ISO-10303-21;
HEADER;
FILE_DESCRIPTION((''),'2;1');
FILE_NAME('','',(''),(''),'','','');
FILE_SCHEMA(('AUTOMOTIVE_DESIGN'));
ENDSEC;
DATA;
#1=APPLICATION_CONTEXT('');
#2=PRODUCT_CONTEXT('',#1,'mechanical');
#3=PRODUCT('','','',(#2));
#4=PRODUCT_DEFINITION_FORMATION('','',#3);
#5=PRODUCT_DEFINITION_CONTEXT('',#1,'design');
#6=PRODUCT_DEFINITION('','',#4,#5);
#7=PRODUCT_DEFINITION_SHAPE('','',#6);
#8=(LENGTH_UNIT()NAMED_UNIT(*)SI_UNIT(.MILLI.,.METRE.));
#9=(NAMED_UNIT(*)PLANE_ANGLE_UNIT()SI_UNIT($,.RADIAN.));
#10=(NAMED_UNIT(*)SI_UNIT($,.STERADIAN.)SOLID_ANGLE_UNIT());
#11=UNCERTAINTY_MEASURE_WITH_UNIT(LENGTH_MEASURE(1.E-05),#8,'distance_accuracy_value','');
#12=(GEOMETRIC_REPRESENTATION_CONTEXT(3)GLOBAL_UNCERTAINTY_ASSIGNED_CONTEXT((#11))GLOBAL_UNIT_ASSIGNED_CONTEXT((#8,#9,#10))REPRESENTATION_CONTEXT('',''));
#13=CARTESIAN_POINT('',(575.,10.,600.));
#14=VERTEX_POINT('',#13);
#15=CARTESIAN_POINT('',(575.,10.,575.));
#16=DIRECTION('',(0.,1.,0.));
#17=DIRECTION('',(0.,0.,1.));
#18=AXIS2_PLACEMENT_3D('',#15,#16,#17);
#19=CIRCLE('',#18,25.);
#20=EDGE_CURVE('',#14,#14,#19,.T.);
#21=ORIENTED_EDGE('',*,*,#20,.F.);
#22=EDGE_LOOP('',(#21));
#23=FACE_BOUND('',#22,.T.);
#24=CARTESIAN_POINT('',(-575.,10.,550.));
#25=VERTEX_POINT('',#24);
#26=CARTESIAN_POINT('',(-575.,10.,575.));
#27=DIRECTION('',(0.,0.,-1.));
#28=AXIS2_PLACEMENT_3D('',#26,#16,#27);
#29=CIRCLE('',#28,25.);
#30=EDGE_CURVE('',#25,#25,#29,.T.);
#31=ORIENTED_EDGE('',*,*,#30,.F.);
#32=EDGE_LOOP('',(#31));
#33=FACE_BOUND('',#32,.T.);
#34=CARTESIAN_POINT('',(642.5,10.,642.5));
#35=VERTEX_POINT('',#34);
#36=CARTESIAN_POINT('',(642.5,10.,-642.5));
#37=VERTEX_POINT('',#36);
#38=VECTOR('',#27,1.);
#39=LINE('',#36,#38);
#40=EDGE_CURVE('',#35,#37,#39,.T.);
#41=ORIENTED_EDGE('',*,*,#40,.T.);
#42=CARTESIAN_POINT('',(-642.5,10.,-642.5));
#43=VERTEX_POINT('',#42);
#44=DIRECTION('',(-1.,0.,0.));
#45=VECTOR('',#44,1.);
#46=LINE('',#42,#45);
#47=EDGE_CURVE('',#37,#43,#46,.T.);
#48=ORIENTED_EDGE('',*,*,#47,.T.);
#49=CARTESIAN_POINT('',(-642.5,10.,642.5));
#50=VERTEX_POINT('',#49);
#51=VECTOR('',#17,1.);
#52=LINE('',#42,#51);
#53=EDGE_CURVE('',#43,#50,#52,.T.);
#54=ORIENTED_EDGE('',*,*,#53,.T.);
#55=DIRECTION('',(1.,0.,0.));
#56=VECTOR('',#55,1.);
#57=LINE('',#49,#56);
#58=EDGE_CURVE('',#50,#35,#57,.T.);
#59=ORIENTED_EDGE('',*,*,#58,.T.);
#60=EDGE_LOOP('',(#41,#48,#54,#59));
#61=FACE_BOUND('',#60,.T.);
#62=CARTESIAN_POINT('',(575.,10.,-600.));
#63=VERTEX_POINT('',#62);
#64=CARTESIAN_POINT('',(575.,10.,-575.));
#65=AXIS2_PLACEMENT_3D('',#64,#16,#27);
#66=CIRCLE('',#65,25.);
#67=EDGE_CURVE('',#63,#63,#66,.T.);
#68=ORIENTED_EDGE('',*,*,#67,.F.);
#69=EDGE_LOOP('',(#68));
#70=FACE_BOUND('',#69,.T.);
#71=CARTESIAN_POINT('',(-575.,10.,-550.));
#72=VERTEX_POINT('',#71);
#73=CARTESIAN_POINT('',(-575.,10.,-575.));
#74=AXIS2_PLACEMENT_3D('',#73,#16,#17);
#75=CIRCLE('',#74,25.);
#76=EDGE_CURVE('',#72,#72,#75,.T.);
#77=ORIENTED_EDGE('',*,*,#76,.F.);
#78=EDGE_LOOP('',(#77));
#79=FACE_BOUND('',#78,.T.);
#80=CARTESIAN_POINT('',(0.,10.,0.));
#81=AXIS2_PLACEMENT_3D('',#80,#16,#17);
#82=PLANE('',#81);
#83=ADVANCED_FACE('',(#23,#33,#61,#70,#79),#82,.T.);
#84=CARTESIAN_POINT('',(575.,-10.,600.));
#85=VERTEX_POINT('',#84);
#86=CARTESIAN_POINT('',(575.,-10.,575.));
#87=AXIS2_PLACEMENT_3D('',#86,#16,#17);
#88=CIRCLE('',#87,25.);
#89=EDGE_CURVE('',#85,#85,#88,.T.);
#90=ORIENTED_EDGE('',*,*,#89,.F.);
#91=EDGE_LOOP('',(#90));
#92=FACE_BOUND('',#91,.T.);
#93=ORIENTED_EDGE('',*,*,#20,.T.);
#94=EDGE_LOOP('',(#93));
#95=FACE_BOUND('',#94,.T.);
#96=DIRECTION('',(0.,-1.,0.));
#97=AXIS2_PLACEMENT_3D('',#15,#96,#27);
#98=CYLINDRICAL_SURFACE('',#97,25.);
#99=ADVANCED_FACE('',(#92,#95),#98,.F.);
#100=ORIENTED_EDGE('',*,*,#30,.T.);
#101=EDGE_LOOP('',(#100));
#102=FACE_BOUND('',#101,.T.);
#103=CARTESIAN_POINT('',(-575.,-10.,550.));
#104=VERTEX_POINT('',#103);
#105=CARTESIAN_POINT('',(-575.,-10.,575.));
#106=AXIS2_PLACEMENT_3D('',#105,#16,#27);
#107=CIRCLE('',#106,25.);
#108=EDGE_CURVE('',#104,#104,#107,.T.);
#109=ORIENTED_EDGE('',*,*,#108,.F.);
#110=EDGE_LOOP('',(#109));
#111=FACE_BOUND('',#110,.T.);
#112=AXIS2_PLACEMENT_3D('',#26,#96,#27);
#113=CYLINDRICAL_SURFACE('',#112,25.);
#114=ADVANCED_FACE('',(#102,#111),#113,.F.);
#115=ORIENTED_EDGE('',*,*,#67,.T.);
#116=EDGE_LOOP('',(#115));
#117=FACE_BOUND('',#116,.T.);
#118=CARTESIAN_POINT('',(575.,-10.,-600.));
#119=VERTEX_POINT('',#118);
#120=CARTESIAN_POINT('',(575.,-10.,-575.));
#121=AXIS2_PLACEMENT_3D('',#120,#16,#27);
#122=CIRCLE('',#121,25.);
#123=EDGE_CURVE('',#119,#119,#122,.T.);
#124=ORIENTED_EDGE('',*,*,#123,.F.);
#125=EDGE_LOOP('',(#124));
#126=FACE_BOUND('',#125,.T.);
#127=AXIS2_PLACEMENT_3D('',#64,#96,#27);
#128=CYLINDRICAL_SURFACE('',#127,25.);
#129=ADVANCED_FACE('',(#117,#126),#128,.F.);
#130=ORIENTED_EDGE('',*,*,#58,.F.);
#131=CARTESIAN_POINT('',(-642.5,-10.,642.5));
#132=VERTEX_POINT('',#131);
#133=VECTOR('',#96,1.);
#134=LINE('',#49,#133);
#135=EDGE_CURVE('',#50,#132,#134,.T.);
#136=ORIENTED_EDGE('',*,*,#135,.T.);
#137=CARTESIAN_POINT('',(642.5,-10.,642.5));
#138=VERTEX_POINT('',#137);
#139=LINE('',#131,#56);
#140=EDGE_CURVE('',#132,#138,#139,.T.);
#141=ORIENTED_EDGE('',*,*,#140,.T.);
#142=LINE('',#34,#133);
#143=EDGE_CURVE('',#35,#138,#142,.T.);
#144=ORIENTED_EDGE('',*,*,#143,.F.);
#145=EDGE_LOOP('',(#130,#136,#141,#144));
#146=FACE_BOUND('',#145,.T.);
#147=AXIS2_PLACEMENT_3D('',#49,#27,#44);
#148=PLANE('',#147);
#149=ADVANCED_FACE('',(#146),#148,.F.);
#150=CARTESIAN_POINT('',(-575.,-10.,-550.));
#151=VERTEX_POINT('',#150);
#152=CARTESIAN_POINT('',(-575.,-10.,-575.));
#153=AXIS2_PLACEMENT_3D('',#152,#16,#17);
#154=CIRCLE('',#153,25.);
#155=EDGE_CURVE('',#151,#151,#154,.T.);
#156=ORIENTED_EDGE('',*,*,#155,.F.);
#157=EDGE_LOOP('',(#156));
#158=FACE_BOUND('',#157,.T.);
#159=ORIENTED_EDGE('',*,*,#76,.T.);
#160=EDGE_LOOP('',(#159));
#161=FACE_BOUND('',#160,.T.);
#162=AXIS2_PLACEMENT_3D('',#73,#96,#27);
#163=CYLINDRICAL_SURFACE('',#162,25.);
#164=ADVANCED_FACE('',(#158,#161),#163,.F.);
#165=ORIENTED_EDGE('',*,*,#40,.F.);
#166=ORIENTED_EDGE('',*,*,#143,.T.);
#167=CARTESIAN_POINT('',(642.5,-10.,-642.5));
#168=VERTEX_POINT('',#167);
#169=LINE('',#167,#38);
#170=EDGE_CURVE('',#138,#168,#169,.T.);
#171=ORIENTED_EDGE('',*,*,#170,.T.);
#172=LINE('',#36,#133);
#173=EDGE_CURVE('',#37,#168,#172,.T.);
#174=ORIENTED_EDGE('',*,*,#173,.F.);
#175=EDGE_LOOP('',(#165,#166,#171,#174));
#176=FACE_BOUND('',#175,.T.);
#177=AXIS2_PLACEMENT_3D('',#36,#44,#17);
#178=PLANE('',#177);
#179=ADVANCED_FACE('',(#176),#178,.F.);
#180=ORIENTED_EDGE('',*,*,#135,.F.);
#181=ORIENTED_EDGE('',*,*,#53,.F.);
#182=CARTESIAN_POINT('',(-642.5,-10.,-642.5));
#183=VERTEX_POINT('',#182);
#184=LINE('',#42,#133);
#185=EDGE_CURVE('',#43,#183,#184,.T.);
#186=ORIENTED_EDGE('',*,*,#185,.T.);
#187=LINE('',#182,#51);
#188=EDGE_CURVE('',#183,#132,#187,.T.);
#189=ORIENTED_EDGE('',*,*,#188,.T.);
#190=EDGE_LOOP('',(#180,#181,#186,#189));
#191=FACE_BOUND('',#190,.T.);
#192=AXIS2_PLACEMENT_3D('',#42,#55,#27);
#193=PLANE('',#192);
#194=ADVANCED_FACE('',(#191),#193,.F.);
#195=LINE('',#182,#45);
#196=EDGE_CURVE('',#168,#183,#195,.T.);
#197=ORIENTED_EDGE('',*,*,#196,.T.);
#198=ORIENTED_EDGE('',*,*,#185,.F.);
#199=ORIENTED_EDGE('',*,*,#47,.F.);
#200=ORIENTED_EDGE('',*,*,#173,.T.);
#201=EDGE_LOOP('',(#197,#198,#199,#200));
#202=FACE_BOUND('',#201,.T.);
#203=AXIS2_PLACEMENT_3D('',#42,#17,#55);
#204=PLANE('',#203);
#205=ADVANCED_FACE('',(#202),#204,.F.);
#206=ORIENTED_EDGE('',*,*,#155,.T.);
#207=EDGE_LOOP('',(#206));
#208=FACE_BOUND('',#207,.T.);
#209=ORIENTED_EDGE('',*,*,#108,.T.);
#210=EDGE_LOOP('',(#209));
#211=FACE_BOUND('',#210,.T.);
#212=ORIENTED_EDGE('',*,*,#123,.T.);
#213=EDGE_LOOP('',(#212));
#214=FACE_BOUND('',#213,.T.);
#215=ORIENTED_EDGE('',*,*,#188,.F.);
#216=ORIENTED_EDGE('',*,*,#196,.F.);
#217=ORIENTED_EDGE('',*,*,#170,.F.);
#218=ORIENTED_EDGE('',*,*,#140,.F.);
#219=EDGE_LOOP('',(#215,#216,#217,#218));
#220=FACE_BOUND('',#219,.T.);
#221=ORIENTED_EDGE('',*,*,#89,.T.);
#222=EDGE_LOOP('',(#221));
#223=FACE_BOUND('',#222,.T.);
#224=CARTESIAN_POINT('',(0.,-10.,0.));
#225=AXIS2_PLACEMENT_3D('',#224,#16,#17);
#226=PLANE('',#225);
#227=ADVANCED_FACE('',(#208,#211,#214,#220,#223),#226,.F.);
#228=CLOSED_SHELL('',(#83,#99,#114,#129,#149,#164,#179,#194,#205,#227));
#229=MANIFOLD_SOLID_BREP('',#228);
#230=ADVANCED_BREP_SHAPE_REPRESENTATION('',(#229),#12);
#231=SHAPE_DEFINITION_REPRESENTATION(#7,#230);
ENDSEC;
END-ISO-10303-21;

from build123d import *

# Parameters (mm, degrees)
SKETCH1_W           = 1285
SKETCH1_H           = 1285
SKETCH1_R           = 25
BOSS_EXTRUDE1_DEPTH = 10


with BuildPart() as part:
    # Sketch1 → Boss-Extrude1 (new, symmetric)
    with BuildSketch(Plane(origin=(0, 0, 0), x_dir=(1, 0, 0), z_dir=(0, 1, 0))):
        Rectangle(SKETCH1_W, SKETCH1_H)
        with Locations(Location((-575, 575, 0), (0, 0, 270))):
            Circle(SKETCH1_R, mode=Mode.SUBTRACT)
        with Locations(Location((575, 575, 0), (0, 0, 90))):
            Circle(SKETCH1_R, mode=Mode.SUBTRACT)
        with Locations(Location((575, -575, 0), (0, 0, 270))):
            Circle(SKETCH1_R, mode=Mode.SUBTRACT)
        with Locations(Location((-575, -575, 0), (0, 0, 90))):
            Circle(SKETCH1_R, mode=Mode.SUBTRACT)
    extrude(amount=BOSS_EXTRUDE1_DEPTH, both=True)


solid = part.part
